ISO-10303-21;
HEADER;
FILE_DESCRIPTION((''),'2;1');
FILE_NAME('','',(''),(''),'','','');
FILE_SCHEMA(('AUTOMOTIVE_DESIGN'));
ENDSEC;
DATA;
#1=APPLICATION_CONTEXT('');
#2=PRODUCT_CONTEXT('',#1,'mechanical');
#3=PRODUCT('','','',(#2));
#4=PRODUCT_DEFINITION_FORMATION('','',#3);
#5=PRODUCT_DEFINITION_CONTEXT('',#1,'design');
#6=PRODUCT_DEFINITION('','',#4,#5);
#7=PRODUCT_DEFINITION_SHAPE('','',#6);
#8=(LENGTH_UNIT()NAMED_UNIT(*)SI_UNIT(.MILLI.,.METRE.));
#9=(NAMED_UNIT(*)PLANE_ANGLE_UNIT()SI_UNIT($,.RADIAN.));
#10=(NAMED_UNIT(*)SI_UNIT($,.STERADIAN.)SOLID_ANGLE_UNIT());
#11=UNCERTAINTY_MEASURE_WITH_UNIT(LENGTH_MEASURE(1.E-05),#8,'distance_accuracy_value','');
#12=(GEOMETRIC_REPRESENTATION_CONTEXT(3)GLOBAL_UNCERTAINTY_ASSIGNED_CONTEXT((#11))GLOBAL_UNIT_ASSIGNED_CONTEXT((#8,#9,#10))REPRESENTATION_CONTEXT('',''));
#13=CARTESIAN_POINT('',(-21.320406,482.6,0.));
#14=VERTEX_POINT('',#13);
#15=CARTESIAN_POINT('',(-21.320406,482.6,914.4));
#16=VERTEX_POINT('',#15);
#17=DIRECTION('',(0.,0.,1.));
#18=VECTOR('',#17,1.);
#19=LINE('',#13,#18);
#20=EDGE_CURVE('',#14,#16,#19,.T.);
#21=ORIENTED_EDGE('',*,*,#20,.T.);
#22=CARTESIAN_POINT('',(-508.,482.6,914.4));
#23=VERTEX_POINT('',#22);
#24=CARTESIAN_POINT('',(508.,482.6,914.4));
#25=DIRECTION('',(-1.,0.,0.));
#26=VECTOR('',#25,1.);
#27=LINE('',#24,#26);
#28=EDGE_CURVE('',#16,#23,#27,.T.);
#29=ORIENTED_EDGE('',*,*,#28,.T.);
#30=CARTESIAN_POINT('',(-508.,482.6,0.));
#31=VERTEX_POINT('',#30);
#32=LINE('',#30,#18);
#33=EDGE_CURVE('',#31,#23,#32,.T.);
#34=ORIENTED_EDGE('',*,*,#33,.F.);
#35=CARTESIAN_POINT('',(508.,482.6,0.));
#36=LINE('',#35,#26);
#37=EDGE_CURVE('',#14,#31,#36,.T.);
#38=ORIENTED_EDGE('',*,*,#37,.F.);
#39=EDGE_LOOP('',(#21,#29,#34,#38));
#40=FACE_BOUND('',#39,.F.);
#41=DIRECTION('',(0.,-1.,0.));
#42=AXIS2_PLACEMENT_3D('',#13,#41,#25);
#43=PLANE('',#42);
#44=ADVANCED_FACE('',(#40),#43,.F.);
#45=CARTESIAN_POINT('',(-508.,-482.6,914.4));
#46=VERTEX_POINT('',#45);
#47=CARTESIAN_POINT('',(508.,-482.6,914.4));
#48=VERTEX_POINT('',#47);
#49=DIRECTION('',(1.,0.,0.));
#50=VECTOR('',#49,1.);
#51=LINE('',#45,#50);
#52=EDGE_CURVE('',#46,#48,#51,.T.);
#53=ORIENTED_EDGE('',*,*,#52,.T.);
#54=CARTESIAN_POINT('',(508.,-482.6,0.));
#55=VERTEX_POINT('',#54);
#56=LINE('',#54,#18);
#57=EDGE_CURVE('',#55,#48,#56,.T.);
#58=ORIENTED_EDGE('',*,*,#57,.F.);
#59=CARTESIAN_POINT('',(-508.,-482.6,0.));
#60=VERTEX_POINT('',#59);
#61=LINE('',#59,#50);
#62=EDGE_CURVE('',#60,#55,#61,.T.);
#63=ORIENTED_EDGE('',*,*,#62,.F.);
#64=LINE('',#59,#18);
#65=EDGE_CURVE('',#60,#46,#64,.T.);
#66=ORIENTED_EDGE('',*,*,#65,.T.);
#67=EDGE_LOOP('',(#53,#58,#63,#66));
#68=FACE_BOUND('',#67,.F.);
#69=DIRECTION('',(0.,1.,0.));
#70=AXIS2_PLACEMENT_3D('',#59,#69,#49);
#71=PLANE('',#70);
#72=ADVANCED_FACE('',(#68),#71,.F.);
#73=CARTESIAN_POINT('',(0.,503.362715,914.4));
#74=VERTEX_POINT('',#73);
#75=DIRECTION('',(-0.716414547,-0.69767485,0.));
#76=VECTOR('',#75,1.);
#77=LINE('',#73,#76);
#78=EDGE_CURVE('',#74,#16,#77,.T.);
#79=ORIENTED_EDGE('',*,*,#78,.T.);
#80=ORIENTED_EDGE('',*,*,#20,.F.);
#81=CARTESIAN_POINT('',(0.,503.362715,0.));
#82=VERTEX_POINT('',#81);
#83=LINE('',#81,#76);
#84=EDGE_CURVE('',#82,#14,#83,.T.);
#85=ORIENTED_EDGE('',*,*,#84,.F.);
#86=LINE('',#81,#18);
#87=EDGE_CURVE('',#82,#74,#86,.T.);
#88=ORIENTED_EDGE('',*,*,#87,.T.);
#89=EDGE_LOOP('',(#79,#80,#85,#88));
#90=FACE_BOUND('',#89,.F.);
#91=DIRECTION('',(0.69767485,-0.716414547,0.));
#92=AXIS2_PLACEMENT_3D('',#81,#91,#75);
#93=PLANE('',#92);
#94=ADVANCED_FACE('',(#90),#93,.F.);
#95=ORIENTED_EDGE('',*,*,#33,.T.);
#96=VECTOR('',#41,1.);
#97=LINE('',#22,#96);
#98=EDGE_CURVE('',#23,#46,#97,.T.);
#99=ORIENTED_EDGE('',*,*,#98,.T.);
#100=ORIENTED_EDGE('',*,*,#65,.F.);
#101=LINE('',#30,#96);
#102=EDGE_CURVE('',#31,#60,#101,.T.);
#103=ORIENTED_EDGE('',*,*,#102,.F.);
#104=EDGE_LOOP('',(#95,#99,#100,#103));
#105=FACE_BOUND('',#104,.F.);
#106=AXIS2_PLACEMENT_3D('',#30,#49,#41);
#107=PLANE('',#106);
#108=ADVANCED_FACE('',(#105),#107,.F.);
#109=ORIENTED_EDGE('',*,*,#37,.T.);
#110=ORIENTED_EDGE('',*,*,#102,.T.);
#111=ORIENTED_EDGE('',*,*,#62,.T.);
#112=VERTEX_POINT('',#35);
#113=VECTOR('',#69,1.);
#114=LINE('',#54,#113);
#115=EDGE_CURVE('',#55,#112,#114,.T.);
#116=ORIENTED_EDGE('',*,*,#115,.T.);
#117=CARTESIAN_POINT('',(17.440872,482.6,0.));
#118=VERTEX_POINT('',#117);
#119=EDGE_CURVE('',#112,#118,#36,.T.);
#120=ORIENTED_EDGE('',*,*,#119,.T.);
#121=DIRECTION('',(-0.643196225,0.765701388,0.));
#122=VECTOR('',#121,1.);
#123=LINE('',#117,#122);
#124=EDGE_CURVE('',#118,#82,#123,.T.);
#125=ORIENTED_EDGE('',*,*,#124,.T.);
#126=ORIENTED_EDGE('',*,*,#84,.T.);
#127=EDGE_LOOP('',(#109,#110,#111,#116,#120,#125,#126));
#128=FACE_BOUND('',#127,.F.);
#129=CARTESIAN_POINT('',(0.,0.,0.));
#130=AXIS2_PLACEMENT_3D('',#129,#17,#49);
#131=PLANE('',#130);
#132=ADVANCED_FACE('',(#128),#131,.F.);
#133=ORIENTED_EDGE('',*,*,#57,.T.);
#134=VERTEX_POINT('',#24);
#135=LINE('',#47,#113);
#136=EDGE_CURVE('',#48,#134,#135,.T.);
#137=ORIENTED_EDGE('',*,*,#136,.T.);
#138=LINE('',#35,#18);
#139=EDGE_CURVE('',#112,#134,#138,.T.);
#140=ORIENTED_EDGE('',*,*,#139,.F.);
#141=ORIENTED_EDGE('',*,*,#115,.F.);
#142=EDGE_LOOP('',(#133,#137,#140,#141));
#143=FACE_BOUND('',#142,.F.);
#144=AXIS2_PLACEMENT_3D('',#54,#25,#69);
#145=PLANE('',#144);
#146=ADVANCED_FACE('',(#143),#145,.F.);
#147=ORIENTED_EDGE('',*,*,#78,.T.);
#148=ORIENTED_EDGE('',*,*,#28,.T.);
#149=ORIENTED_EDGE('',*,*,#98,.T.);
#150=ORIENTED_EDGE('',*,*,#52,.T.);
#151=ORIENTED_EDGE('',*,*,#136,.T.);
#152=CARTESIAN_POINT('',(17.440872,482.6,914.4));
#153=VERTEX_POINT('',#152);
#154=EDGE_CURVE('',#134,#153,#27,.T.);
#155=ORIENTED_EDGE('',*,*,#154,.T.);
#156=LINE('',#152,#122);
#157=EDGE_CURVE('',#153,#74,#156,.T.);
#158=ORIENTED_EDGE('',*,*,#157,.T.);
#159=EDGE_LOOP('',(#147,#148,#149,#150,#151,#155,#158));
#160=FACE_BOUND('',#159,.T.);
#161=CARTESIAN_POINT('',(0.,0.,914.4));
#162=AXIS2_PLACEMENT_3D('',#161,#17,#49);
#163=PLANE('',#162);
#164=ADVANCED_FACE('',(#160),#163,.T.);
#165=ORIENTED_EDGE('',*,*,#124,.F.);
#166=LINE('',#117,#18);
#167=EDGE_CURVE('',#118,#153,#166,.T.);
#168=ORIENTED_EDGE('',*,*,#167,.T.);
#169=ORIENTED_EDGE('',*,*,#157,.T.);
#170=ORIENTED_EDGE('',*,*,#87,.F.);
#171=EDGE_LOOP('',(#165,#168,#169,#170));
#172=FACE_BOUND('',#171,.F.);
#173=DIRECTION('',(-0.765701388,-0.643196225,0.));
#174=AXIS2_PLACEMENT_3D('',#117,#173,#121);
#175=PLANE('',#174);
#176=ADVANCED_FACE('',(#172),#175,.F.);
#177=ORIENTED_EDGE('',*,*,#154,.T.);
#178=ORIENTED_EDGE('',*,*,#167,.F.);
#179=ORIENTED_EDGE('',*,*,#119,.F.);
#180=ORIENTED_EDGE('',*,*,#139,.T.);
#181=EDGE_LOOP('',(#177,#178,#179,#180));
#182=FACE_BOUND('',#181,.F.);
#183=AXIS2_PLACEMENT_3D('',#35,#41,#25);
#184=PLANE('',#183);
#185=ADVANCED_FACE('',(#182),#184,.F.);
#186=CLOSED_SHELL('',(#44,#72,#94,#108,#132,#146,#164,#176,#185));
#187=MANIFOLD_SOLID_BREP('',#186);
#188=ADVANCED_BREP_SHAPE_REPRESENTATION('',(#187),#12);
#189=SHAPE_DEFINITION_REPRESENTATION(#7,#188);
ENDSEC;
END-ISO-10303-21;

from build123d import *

# Parameters (mm, degrees)
F1_DEPTH = 914.4


with BuildPart() as f1:
    # F0 (on Top) → F1 (new body)
    with BuildSketch(Plane.XY):
        Polygon((-21.320406, 482.6), (-508, 482.6), (-508, -482.6), (508, -482.6), (508, 482.6), (17.440872, 482.6), (0, 482.6), align=None)
        Polygon((0, 503.362715), (-21.320406, 482.6), (0, 482.6), align=None)
        Polygon((0, 503.362715), (0, 482.6), (17.440872, 482.6), align=None)
    extrude(amount=F1_DEPTH)


solid = f1.part
